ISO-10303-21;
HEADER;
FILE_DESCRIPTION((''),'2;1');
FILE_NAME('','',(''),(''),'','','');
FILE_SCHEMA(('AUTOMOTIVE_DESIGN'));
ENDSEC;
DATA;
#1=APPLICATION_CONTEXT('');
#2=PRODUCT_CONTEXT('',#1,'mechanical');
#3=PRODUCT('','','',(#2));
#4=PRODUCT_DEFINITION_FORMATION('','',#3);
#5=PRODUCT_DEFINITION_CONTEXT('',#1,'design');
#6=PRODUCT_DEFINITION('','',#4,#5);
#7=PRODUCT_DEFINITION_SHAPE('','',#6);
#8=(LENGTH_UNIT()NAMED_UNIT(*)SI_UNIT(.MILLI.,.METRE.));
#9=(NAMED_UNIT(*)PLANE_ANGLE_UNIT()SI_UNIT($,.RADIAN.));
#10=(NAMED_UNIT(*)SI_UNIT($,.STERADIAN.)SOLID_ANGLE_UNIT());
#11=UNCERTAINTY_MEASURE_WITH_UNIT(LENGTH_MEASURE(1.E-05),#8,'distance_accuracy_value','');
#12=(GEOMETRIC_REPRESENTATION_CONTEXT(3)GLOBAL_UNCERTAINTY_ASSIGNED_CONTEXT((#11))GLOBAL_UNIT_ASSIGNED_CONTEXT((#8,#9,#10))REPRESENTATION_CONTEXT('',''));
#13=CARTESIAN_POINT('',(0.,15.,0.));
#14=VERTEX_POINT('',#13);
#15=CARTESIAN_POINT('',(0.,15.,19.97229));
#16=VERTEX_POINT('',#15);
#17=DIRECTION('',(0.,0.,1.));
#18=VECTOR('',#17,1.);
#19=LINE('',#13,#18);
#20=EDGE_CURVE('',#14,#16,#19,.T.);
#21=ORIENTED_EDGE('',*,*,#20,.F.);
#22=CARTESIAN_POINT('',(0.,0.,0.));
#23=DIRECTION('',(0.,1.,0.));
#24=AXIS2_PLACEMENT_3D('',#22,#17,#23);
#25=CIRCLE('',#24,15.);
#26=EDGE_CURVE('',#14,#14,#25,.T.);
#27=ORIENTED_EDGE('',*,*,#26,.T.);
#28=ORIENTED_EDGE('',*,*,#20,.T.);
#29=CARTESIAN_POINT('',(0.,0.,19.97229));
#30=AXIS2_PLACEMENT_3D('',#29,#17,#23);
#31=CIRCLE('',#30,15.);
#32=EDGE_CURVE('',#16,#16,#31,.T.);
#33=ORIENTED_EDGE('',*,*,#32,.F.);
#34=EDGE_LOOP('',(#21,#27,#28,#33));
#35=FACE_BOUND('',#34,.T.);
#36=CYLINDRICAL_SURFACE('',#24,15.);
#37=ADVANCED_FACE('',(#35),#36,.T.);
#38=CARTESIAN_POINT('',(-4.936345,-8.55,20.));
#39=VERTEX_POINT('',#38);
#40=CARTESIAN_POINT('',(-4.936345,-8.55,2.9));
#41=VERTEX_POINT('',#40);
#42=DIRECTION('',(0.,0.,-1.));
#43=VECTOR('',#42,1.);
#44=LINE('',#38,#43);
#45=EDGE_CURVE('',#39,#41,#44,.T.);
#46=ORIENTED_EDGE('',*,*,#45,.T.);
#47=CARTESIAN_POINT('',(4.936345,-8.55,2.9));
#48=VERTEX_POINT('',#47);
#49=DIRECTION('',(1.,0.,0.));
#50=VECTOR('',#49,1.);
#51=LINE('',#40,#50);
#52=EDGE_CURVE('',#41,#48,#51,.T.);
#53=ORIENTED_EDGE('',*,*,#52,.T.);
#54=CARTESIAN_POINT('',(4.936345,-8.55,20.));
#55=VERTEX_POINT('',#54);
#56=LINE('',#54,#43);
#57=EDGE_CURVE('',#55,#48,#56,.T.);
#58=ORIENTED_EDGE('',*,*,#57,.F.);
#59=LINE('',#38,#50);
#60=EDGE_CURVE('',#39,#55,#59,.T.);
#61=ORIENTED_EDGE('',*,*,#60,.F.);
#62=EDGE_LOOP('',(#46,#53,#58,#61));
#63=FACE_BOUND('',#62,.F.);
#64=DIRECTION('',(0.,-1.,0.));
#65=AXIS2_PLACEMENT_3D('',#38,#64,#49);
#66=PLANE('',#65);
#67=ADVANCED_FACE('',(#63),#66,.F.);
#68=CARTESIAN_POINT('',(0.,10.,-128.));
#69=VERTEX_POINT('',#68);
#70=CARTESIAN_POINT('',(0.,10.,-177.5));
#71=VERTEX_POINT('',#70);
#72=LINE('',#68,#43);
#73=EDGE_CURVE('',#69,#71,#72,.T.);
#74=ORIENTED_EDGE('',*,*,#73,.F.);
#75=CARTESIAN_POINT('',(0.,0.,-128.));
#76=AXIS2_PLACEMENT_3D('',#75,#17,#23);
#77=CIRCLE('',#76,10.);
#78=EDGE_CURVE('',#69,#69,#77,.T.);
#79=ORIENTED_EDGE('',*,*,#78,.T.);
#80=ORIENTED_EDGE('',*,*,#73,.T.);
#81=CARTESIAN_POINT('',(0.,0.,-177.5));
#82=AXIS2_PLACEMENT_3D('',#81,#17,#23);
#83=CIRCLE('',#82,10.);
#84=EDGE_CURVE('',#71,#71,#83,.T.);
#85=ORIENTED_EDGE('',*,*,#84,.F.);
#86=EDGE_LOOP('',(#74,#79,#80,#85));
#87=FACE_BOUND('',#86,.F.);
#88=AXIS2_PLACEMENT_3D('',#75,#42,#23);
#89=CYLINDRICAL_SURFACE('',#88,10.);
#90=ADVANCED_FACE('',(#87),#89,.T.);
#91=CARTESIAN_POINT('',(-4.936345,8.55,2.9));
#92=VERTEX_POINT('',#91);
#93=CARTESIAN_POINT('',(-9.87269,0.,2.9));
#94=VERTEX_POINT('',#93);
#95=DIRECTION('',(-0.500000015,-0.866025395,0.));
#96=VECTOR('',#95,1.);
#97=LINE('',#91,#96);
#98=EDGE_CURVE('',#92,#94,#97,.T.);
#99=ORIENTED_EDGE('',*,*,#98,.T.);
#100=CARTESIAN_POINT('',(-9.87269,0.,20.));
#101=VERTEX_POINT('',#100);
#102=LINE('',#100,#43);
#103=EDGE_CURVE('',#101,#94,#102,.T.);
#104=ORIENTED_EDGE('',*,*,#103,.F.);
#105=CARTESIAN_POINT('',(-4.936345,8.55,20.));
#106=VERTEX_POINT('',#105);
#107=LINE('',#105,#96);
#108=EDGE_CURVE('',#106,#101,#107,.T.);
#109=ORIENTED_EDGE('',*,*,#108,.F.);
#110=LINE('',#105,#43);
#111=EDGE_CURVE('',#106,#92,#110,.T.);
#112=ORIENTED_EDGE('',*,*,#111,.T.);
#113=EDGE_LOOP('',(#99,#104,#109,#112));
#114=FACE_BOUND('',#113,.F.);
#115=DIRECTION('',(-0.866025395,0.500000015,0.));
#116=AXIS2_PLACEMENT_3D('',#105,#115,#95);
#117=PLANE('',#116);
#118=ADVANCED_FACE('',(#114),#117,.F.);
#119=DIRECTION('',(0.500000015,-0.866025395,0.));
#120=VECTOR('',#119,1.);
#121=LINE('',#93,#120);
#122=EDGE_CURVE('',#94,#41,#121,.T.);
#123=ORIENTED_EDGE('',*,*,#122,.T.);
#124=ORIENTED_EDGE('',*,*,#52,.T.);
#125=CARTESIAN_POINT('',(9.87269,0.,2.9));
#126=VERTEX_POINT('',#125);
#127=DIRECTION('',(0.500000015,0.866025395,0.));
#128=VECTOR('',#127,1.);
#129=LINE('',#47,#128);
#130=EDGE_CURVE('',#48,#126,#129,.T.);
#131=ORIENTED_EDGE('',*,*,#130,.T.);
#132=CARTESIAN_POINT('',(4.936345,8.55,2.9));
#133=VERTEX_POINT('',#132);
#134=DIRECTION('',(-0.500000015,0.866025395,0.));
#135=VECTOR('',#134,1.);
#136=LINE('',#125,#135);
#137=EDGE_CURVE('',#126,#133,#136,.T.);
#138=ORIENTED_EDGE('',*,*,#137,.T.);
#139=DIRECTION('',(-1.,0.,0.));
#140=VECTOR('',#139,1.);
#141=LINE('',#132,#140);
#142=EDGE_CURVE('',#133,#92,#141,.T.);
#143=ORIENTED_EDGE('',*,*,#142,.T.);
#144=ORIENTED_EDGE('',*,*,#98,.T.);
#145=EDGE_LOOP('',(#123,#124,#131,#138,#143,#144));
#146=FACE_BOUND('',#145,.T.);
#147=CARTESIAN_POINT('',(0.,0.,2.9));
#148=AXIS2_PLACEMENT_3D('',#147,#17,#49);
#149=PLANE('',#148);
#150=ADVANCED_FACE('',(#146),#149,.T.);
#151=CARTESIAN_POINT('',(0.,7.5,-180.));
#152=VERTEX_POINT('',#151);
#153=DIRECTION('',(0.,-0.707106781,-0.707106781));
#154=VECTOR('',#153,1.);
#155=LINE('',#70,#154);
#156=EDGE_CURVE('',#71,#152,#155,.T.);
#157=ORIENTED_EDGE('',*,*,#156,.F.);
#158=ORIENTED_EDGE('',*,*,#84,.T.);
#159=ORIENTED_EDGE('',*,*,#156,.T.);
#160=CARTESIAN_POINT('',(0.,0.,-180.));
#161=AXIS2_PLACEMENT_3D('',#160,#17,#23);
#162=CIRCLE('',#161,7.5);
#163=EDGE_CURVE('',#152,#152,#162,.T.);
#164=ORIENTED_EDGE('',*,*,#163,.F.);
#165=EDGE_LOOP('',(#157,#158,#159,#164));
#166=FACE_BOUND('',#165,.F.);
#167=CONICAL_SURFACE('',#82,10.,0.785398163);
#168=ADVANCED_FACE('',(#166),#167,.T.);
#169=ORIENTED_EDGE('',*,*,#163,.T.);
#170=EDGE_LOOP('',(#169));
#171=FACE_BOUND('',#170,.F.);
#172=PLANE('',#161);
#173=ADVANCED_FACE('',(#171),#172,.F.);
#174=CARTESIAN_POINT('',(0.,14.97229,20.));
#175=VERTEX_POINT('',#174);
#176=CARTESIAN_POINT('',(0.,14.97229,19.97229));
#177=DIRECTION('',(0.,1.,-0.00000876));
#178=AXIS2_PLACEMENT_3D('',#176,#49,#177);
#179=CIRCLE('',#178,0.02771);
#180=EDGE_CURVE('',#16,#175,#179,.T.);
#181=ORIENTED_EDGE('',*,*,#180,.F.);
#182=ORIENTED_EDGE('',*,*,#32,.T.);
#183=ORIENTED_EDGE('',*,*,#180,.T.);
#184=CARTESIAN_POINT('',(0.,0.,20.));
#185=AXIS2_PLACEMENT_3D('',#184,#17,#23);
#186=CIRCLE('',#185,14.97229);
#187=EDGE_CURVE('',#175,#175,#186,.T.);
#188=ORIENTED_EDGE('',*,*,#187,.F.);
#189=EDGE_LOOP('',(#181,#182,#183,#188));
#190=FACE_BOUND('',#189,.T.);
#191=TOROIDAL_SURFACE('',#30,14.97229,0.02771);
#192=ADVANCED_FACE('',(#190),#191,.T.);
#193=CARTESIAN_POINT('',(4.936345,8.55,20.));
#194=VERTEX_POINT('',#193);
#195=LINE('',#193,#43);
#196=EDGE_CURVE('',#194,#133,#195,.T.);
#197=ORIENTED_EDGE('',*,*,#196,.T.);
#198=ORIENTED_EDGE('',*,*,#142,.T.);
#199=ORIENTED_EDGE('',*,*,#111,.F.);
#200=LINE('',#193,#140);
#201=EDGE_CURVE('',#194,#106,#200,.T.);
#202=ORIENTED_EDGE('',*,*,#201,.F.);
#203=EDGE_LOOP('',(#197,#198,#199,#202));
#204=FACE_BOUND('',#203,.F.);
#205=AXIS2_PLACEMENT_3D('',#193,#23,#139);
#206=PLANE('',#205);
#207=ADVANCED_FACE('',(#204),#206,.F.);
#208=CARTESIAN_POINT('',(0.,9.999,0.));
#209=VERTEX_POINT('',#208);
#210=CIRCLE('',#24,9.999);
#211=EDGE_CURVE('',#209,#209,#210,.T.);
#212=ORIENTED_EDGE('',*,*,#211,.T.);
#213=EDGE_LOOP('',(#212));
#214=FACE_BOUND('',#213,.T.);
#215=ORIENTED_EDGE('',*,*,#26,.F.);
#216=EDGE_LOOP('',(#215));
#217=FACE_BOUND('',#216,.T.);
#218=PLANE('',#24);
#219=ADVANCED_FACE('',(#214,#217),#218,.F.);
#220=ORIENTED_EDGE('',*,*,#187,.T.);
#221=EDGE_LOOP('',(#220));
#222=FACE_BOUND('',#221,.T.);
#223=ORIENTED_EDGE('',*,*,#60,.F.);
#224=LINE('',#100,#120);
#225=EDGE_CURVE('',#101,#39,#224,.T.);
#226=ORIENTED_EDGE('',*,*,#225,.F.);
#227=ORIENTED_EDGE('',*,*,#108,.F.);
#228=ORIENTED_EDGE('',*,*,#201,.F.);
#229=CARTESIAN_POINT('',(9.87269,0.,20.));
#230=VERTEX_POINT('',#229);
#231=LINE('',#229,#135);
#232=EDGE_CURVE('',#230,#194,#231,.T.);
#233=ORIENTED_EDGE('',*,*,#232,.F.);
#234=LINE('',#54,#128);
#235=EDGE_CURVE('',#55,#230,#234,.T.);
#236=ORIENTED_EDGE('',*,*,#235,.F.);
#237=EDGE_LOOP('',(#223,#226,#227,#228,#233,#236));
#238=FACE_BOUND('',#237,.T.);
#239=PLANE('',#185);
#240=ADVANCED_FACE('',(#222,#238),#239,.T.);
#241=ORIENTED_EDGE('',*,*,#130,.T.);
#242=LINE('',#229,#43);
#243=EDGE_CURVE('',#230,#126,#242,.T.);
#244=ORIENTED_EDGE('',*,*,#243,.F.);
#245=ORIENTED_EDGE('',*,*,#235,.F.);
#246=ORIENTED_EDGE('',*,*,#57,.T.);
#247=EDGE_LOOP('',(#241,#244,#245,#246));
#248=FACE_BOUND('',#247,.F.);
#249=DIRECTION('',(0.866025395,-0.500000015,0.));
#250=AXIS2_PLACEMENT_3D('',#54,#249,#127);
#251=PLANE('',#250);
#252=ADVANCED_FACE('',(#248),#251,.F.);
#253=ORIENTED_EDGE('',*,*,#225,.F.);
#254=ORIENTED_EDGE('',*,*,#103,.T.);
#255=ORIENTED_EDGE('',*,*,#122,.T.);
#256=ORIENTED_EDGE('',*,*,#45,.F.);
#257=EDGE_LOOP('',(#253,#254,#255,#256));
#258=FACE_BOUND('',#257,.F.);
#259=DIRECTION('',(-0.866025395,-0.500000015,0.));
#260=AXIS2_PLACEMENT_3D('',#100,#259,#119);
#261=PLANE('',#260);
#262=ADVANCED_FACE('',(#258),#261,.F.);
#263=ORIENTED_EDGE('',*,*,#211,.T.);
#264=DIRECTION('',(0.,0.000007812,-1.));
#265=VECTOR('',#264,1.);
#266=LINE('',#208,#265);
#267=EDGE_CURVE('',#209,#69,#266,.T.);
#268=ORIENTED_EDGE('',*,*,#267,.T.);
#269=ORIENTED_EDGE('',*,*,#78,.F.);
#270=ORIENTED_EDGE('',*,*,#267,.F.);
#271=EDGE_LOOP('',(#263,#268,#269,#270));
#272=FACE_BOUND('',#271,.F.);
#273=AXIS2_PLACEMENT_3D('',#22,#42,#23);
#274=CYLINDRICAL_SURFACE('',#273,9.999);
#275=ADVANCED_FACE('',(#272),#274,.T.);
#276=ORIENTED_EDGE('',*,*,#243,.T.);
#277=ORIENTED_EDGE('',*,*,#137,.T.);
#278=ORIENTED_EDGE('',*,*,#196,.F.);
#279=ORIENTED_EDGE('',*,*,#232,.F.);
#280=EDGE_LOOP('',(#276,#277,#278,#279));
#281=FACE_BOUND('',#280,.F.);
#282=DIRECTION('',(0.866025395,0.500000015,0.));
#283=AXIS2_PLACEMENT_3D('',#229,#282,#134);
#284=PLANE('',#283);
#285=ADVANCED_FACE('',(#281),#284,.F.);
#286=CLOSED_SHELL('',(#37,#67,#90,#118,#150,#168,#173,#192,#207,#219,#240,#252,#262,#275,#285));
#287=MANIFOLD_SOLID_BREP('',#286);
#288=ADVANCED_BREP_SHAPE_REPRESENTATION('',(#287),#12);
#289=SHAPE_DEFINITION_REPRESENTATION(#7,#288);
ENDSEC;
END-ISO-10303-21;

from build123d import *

# Parameters (mm, degrees)
POCKET_DEPTH = 17.1


with BuildPart() as part:
    # Sketch → Revolve (revolve)
    with BuildSketch(Plane.YZ):
        with BuildLine():
            Line((9.999, 0), (15, 0))
            Line((15, 0), (15, 19.97229))
            ThreePointArc((15, 19.97229), (14.991884, 19.991884), (14.97229, 20))
            Line((14.97229, 20), (0, 20))
            Line((0, -180), (0, 20))
            Line((7.5, -180), (0, -180))
            Line((10, -177.5), (7.5, -180))
            Line((10, -128), (10, -177.5))
            Line((9.999, 0), (10, -128))
        make_face()
    revolve(axis=Axis((0, 0, 0), (0, 0, 1)))

    # Sketch001 → Pocket (cut)
    with BuildSketch(Plane.XY.offset(20)):
        Polygon((9.87269, 0), (4.936345, 8.55), (-4.936345, 8.55), (-9.87269, 0), (-4.936345, -8.55), (4.936345, -8.55), align=None)
    extrude(amount=-POCKET_DEPTH, mode=Mode.SUBTRACT)


solid = part.part
